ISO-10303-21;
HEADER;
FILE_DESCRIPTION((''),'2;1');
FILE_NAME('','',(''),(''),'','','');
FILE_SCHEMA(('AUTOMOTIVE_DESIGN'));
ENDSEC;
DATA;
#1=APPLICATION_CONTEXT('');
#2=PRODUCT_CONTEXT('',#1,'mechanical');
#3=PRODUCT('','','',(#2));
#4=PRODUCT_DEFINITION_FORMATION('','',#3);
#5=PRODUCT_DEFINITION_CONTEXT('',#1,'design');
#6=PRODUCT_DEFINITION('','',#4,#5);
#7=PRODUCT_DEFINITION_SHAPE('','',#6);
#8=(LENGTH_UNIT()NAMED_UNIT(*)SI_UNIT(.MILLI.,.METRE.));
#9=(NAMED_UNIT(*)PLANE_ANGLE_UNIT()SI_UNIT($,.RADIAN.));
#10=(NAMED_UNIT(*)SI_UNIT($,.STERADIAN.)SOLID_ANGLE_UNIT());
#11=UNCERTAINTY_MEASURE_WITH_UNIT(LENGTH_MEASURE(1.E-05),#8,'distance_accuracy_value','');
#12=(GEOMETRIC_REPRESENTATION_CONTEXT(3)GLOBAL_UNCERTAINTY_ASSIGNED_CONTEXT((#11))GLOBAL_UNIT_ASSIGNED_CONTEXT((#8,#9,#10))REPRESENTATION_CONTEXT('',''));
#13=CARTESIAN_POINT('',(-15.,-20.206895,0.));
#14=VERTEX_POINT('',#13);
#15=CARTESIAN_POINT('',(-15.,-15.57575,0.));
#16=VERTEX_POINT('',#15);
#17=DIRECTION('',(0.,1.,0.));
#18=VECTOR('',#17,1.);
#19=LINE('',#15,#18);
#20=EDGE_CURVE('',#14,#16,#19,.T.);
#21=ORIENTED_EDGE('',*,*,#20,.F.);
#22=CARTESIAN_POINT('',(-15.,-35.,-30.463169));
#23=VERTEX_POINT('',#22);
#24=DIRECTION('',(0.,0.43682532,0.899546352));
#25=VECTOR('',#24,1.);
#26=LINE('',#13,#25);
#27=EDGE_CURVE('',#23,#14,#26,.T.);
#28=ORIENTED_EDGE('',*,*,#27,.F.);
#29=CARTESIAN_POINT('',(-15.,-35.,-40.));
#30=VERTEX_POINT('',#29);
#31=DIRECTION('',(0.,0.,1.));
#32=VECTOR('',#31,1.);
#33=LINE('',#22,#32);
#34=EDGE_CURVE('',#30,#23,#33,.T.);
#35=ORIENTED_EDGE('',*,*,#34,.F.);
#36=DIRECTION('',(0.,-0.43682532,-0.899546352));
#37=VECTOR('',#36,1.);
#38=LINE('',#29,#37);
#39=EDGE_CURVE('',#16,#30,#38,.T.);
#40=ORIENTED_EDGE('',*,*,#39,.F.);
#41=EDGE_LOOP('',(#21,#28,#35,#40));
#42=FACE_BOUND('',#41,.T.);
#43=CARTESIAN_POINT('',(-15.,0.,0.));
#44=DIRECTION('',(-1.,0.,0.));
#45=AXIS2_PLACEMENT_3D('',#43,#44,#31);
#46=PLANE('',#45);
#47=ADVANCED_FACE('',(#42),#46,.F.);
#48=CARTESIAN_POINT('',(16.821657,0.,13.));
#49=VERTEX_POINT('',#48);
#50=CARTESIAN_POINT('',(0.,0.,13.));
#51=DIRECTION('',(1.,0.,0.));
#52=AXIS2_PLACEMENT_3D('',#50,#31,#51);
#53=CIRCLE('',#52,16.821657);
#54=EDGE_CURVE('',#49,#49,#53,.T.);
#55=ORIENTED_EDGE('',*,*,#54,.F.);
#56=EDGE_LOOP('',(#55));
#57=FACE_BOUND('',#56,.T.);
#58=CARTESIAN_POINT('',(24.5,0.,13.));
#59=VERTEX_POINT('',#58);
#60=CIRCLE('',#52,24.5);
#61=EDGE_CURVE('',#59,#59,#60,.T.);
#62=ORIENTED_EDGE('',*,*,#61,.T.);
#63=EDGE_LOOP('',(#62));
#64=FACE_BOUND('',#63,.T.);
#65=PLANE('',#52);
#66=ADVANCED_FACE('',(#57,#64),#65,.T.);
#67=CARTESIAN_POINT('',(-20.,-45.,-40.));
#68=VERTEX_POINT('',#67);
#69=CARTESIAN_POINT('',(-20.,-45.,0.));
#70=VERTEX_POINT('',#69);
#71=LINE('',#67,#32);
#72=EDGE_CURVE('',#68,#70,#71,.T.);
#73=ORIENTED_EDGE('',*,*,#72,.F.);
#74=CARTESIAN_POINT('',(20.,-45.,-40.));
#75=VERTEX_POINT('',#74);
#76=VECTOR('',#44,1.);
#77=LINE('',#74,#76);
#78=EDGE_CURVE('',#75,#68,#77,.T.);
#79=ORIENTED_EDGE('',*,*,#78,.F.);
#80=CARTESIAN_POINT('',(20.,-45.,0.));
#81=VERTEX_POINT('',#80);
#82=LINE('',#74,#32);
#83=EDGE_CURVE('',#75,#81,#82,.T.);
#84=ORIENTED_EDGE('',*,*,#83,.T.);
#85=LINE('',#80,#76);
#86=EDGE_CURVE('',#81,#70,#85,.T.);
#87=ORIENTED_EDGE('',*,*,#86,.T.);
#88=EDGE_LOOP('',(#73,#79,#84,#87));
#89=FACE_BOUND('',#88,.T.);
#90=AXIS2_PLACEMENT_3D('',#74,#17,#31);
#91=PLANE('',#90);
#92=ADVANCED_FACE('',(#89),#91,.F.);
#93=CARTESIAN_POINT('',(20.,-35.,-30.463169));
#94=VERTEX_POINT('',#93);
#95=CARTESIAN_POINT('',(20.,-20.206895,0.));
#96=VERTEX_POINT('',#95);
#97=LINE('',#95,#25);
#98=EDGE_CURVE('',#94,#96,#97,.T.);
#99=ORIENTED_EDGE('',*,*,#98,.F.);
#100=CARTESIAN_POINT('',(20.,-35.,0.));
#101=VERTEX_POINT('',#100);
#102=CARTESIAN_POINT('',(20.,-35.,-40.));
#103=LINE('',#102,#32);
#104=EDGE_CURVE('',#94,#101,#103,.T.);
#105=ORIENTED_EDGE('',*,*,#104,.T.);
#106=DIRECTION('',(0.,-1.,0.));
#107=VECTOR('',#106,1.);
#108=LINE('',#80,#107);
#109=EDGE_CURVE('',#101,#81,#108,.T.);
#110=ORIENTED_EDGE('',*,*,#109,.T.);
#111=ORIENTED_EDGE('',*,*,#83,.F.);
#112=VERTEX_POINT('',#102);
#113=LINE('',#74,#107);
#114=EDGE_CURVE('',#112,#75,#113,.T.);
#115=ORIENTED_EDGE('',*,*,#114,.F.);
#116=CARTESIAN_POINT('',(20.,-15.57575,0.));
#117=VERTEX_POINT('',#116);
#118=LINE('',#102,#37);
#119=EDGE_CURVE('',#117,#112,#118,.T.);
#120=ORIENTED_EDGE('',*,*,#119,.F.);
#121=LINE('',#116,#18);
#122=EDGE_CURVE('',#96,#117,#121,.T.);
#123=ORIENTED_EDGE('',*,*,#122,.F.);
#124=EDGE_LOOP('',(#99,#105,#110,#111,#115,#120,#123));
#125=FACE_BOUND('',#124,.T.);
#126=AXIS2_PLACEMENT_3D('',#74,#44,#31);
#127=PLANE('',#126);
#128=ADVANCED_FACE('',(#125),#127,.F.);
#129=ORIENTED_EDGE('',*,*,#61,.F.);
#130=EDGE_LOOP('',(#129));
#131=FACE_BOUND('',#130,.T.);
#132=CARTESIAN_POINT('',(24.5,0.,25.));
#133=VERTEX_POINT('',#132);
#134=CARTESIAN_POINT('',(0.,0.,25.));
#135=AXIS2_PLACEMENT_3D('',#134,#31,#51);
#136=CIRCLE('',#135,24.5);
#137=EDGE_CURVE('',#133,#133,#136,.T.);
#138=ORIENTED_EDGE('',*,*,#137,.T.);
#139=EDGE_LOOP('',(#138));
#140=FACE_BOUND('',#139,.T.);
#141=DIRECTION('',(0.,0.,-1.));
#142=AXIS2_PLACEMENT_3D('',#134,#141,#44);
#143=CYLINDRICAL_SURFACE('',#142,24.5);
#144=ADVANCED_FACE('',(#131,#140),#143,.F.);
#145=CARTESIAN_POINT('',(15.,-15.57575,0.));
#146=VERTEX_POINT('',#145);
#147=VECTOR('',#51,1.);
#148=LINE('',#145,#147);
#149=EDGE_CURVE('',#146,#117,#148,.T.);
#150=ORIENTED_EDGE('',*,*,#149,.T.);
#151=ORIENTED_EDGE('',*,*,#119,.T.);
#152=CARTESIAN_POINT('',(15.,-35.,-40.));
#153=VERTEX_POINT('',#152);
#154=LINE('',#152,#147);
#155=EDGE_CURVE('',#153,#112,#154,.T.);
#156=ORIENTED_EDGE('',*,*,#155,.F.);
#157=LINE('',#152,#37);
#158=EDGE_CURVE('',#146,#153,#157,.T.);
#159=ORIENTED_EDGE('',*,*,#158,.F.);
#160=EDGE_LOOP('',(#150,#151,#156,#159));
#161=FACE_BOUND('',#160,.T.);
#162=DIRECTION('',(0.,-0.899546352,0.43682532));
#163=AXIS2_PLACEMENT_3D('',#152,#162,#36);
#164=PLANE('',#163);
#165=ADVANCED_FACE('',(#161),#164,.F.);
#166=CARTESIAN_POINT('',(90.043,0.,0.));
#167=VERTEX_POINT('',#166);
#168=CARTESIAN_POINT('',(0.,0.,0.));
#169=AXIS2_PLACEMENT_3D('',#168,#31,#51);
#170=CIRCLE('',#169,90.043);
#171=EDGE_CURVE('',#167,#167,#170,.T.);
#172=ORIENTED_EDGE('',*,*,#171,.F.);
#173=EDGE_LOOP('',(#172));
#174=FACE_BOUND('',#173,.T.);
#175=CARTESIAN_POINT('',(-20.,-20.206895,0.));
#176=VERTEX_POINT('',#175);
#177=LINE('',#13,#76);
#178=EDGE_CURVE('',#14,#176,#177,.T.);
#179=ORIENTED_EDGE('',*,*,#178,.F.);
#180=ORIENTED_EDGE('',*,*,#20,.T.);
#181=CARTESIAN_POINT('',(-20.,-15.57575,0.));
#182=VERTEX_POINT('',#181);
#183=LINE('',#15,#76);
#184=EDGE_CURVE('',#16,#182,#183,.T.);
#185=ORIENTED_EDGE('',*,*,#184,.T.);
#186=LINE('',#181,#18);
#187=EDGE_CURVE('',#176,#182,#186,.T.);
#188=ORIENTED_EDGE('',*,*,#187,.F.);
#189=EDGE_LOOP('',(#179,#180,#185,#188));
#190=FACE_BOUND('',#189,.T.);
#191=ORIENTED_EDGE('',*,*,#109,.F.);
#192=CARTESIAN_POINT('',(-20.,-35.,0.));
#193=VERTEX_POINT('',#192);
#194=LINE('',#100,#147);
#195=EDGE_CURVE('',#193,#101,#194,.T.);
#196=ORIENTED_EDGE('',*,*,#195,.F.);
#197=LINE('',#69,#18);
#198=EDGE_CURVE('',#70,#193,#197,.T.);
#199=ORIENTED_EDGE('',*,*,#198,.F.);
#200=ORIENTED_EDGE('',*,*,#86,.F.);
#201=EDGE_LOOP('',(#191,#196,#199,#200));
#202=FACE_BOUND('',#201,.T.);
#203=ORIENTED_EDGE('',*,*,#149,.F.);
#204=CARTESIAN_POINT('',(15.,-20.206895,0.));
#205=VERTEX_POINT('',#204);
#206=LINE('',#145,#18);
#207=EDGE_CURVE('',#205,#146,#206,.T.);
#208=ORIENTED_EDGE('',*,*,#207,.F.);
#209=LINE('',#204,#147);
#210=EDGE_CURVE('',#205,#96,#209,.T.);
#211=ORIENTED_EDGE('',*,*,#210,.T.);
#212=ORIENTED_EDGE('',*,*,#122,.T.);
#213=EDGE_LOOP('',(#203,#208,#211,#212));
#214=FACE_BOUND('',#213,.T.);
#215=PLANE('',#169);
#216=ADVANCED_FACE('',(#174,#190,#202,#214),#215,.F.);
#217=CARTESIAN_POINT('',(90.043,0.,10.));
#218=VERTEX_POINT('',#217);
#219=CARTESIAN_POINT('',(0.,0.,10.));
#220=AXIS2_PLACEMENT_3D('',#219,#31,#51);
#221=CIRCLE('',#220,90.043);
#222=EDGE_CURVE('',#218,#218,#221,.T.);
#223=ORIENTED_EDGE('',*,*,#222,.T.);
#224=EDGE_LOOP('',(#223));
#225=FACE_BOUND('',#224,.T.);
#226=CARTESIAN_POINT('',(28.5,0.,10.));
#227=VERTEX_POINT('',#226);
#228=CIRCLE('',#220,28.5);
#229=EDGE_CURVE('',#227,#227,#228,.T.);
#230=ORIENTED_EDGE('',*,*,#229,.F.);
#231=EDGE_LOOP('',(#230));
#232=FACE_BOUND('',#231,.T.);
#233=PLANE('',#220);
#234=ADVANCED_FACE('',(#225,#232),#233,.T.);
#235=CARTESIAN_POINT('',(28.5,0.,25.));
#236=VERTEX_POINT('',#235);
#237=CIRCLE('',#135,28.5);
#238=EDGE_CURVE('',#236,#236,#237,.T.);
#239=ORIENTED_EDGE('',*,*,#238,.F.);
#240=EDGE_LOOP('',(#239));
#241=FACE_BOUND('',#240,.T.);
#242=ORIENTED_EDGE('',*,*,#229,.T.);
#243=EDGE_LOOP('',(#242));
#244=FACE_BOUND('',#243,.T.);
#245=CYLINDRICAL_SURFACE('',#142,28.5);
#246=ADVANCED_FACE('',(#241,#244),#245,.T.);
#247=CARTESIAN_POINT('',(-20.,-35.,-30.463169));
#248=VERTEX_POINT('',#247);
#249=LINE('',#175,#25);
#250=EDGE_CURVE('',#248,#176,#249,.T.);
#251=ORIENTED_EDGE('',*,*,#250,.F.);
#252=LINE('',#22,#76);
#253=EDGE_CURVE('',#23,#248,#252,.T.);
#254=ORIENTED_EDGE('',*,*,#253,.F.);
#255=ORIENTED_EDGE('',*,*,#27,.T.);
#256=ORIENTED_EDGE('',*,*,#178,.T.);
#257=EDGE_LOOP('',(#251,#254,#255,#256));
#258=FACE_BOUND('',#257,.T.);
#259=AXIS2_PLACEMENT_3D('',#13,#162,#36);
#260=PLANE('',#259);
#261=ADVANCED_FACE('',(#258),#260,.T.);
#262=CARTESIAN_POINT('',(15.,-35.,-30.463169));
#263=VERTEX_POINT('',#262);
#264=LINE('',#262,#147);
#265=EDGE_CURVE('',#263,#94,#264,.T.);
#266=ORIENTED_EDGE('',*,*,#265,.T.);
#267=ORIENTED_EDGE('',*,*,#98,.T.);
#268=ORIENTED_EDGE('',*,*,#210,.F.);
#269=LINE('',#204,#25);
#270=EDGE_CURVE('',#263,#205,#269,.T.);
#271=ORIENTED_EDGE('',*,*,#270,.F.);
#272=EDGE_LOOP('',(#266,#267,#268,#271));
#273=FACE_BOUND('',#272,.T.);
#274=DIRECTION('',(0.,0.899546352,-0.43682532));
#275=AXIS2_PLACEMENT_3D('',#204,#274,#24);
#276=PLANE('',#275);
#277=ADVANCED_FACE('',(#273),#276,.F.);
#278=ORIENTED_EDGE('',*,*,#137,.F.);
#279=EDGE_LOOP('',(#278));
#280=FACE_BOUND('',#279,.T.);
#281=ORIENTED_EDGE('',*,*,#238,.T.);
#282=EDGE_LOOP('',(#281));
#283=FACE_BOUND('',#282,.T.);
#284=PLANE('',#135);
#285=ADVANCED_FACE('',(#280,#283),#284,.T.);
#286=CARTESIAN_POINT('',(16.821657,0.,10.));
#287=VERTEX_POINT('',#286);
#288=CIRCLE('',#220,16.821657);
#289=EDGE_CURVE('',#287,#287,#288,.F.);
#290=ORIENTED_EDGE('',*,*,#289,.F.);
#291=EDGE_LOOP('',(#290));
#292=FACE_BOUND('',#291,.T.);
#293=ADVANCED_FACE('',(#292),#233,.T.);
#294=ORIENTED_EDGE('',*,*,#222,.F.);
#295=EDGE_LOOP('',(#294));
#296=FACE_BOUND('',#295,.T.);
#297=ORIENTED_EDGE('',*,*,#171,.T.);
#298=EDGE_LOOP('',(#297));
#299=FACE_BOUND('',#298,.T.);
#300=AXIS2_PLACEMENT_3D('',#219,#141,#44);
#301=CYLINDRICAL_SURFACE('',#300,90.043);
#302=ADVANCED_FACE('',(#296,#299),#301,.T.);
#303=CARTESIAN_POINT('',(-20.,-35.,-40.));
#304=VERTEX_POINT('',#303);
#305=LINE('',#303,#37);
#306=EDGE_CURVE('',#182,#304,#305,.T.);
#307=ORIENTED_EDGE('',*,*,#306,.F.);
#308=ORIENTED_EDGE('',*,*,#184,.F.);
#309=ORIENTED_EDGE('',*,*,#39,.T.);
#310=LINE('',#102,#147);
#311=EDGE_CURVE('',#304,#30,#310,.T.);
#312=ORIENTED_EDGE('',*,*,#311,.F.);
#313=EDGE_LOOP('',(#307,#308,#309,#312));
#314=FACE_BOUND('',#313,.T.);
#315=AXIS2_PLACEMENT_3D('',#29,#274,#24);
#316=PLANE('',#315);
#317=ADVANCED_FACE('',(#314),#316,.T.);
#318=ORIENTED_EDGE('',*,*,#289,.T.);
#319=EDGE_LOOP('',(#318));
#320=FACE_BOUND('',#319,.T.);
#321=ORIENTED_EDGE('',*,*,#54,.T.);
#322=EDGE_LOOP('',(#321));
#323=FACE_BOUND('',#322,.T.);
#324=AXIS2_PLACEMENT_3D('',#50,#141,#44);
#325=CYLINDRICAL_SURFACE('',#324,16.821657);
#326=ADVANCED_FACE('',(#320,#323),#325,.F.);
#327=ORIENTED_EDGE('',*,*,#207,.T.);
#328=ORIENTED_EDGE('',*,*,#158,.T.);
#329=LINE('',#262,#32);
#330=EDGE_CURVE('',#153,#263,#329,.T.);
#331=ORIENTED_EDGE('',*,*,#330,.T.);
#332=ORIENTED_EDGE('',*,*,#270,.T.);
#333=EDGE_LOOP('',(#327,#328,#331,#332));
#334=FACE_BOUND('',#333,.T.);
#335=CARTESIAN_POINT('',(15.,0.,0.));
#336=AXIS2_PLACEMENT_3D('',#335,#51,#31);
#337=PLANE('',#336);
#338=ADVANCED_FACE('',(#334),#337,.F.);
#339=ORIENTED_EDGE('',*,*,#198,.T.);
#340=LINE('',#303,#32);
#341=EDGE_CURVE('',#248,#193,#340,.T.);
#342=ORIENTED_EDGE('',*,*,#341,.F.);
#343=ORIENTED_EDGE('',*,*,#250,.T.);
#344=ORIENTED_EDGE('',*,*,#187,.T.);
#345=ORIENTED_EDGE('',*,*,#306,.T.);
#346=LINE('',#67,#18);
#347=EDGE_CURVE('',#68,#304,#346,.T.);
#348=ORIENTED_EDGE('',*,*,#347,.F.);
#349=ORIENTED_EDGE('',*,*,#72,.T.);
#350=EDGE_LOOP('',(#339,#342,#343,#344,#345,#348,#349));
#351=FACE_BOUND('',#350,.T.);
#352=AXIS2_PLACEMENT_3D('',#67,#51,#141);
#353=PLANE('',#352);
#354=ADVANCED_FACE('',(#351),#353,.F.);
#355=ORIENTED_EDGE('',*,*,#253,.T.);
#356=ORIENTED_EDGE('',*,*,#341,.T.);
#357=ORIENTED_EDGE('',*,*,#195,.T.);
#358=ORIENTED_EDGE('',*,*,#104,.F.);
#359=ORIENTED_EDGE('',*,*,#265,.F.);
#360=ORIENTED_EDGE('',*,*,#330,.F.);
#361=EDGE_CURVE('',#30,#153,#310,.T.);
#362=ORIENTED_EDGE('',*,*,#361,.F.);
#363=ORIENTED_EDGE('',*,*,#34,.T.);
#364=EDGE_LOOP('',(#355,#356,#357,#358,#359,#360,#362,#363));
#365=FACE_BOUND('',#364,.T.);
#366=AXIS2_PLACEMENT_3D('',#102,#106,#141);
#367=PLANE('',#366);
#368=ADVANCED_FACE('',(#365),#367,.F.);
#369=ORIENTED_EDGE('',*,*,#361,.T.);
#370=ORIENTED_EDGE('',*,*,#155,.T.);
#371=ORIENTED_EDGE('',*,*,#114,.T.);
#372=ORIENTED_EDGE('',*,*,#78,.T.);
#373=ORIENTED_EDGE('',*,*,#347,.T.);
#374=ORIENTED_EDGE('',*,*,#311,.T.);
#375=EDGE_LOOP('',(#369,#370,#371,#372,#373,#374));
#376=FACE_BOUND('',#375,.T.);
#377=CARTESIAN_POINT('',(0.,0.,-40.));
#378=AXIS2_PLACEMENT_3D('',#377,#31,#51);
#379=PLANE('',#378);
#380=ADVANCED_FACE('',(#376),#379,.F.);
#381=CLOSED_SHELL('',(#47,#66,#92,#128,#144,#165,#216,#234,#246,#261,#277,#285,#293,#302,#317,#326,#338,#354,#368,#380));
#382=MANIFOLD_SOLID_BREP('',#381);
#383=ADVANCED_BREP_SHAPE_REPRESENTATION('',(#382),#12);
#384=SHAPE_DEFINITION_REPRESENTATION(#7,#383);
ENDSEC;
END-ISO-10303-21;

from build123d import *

# Parameters (mm, degrees)
SKETCH1_R           = 90.043
BOSS_EXTRUDE1_DEPTH = 10
SKETCH3_W           = 40
SKETCH3_H           = 10
BOSS_EXTRUDE2_DEPTH = 40
BOSS_EXTRUDE5_DEPTH = 5
SKETCH5_R           = 28.5
SKETCH5_R_2         = 24.5
BOSS_EXTRUDE6_DEPTH = 15
SKETCH6_R           = 24.5
SKETCH6_R_2         = 16.821657313
BOSS_EXTRUDE7_DEPTH = 3


with BuildPart() as part:
    # Sketch1 → Boss-Extrude1 (new body)
    with BuildSketch(Plane.XY):
        Circle(SKETCH1_R)
    extrude(amount=BOSS_EXTRUDE1_DEPTH)

    # Sketch3 → Boss-Extrude2 (add)
    with BuildSketch(Plane(origin=(0, 0, 0), x_dir=(-1, 0, 0), z_dir=(0, 0, -1))):
        with Locations((0, -40)):
            Rectangle(SKETCH3_W, SKETCH3_H)
    extrude(amount=BOSS_EXTRUDE2_DEPTH)

    # Sketch4 → Boss-Extrude5 (add)
    with BuildSketch(Plane.ZY.offset(20)):
        Polygon((-40, -35), (0, -15.575750454), (0, -20.206895082), (-30.463169004, -35), align=None)
    boss_extrude5 = extrude(amount=-BOSS_EXTRUDE5_DEPTH)

    # Mirror1: Boss-Extrude5 across plane
    add(boss_extrude5.mirror(Plane(origin=(0, 0, 0), x_dir=(0, 0, 1), z_dir=(1, 0, 0))))

    # Sketch5 → Boss-Extrude6 (add)
    with BuildSketch(Plane.XY.offset(10)):
        Circle(SKETCH5_R)
        Circle(SKETCH5_R_2, mode=Mode.SUBTRACT)
    extrude(amount=BOSS_EXTRUDE6_DEPTH)

    # Sketch6 → Boss-Extrude7 (add)
    with BuildSketch(Plane.XY.offset(10)):
        Circle(SKETCH6_R)
        Circle(SKETCH6_R_2, mode=Mode.SUBTRACT)
    extrude(amount=BOSS_EXTRUDE7_DEPTH)


solid = part.part
